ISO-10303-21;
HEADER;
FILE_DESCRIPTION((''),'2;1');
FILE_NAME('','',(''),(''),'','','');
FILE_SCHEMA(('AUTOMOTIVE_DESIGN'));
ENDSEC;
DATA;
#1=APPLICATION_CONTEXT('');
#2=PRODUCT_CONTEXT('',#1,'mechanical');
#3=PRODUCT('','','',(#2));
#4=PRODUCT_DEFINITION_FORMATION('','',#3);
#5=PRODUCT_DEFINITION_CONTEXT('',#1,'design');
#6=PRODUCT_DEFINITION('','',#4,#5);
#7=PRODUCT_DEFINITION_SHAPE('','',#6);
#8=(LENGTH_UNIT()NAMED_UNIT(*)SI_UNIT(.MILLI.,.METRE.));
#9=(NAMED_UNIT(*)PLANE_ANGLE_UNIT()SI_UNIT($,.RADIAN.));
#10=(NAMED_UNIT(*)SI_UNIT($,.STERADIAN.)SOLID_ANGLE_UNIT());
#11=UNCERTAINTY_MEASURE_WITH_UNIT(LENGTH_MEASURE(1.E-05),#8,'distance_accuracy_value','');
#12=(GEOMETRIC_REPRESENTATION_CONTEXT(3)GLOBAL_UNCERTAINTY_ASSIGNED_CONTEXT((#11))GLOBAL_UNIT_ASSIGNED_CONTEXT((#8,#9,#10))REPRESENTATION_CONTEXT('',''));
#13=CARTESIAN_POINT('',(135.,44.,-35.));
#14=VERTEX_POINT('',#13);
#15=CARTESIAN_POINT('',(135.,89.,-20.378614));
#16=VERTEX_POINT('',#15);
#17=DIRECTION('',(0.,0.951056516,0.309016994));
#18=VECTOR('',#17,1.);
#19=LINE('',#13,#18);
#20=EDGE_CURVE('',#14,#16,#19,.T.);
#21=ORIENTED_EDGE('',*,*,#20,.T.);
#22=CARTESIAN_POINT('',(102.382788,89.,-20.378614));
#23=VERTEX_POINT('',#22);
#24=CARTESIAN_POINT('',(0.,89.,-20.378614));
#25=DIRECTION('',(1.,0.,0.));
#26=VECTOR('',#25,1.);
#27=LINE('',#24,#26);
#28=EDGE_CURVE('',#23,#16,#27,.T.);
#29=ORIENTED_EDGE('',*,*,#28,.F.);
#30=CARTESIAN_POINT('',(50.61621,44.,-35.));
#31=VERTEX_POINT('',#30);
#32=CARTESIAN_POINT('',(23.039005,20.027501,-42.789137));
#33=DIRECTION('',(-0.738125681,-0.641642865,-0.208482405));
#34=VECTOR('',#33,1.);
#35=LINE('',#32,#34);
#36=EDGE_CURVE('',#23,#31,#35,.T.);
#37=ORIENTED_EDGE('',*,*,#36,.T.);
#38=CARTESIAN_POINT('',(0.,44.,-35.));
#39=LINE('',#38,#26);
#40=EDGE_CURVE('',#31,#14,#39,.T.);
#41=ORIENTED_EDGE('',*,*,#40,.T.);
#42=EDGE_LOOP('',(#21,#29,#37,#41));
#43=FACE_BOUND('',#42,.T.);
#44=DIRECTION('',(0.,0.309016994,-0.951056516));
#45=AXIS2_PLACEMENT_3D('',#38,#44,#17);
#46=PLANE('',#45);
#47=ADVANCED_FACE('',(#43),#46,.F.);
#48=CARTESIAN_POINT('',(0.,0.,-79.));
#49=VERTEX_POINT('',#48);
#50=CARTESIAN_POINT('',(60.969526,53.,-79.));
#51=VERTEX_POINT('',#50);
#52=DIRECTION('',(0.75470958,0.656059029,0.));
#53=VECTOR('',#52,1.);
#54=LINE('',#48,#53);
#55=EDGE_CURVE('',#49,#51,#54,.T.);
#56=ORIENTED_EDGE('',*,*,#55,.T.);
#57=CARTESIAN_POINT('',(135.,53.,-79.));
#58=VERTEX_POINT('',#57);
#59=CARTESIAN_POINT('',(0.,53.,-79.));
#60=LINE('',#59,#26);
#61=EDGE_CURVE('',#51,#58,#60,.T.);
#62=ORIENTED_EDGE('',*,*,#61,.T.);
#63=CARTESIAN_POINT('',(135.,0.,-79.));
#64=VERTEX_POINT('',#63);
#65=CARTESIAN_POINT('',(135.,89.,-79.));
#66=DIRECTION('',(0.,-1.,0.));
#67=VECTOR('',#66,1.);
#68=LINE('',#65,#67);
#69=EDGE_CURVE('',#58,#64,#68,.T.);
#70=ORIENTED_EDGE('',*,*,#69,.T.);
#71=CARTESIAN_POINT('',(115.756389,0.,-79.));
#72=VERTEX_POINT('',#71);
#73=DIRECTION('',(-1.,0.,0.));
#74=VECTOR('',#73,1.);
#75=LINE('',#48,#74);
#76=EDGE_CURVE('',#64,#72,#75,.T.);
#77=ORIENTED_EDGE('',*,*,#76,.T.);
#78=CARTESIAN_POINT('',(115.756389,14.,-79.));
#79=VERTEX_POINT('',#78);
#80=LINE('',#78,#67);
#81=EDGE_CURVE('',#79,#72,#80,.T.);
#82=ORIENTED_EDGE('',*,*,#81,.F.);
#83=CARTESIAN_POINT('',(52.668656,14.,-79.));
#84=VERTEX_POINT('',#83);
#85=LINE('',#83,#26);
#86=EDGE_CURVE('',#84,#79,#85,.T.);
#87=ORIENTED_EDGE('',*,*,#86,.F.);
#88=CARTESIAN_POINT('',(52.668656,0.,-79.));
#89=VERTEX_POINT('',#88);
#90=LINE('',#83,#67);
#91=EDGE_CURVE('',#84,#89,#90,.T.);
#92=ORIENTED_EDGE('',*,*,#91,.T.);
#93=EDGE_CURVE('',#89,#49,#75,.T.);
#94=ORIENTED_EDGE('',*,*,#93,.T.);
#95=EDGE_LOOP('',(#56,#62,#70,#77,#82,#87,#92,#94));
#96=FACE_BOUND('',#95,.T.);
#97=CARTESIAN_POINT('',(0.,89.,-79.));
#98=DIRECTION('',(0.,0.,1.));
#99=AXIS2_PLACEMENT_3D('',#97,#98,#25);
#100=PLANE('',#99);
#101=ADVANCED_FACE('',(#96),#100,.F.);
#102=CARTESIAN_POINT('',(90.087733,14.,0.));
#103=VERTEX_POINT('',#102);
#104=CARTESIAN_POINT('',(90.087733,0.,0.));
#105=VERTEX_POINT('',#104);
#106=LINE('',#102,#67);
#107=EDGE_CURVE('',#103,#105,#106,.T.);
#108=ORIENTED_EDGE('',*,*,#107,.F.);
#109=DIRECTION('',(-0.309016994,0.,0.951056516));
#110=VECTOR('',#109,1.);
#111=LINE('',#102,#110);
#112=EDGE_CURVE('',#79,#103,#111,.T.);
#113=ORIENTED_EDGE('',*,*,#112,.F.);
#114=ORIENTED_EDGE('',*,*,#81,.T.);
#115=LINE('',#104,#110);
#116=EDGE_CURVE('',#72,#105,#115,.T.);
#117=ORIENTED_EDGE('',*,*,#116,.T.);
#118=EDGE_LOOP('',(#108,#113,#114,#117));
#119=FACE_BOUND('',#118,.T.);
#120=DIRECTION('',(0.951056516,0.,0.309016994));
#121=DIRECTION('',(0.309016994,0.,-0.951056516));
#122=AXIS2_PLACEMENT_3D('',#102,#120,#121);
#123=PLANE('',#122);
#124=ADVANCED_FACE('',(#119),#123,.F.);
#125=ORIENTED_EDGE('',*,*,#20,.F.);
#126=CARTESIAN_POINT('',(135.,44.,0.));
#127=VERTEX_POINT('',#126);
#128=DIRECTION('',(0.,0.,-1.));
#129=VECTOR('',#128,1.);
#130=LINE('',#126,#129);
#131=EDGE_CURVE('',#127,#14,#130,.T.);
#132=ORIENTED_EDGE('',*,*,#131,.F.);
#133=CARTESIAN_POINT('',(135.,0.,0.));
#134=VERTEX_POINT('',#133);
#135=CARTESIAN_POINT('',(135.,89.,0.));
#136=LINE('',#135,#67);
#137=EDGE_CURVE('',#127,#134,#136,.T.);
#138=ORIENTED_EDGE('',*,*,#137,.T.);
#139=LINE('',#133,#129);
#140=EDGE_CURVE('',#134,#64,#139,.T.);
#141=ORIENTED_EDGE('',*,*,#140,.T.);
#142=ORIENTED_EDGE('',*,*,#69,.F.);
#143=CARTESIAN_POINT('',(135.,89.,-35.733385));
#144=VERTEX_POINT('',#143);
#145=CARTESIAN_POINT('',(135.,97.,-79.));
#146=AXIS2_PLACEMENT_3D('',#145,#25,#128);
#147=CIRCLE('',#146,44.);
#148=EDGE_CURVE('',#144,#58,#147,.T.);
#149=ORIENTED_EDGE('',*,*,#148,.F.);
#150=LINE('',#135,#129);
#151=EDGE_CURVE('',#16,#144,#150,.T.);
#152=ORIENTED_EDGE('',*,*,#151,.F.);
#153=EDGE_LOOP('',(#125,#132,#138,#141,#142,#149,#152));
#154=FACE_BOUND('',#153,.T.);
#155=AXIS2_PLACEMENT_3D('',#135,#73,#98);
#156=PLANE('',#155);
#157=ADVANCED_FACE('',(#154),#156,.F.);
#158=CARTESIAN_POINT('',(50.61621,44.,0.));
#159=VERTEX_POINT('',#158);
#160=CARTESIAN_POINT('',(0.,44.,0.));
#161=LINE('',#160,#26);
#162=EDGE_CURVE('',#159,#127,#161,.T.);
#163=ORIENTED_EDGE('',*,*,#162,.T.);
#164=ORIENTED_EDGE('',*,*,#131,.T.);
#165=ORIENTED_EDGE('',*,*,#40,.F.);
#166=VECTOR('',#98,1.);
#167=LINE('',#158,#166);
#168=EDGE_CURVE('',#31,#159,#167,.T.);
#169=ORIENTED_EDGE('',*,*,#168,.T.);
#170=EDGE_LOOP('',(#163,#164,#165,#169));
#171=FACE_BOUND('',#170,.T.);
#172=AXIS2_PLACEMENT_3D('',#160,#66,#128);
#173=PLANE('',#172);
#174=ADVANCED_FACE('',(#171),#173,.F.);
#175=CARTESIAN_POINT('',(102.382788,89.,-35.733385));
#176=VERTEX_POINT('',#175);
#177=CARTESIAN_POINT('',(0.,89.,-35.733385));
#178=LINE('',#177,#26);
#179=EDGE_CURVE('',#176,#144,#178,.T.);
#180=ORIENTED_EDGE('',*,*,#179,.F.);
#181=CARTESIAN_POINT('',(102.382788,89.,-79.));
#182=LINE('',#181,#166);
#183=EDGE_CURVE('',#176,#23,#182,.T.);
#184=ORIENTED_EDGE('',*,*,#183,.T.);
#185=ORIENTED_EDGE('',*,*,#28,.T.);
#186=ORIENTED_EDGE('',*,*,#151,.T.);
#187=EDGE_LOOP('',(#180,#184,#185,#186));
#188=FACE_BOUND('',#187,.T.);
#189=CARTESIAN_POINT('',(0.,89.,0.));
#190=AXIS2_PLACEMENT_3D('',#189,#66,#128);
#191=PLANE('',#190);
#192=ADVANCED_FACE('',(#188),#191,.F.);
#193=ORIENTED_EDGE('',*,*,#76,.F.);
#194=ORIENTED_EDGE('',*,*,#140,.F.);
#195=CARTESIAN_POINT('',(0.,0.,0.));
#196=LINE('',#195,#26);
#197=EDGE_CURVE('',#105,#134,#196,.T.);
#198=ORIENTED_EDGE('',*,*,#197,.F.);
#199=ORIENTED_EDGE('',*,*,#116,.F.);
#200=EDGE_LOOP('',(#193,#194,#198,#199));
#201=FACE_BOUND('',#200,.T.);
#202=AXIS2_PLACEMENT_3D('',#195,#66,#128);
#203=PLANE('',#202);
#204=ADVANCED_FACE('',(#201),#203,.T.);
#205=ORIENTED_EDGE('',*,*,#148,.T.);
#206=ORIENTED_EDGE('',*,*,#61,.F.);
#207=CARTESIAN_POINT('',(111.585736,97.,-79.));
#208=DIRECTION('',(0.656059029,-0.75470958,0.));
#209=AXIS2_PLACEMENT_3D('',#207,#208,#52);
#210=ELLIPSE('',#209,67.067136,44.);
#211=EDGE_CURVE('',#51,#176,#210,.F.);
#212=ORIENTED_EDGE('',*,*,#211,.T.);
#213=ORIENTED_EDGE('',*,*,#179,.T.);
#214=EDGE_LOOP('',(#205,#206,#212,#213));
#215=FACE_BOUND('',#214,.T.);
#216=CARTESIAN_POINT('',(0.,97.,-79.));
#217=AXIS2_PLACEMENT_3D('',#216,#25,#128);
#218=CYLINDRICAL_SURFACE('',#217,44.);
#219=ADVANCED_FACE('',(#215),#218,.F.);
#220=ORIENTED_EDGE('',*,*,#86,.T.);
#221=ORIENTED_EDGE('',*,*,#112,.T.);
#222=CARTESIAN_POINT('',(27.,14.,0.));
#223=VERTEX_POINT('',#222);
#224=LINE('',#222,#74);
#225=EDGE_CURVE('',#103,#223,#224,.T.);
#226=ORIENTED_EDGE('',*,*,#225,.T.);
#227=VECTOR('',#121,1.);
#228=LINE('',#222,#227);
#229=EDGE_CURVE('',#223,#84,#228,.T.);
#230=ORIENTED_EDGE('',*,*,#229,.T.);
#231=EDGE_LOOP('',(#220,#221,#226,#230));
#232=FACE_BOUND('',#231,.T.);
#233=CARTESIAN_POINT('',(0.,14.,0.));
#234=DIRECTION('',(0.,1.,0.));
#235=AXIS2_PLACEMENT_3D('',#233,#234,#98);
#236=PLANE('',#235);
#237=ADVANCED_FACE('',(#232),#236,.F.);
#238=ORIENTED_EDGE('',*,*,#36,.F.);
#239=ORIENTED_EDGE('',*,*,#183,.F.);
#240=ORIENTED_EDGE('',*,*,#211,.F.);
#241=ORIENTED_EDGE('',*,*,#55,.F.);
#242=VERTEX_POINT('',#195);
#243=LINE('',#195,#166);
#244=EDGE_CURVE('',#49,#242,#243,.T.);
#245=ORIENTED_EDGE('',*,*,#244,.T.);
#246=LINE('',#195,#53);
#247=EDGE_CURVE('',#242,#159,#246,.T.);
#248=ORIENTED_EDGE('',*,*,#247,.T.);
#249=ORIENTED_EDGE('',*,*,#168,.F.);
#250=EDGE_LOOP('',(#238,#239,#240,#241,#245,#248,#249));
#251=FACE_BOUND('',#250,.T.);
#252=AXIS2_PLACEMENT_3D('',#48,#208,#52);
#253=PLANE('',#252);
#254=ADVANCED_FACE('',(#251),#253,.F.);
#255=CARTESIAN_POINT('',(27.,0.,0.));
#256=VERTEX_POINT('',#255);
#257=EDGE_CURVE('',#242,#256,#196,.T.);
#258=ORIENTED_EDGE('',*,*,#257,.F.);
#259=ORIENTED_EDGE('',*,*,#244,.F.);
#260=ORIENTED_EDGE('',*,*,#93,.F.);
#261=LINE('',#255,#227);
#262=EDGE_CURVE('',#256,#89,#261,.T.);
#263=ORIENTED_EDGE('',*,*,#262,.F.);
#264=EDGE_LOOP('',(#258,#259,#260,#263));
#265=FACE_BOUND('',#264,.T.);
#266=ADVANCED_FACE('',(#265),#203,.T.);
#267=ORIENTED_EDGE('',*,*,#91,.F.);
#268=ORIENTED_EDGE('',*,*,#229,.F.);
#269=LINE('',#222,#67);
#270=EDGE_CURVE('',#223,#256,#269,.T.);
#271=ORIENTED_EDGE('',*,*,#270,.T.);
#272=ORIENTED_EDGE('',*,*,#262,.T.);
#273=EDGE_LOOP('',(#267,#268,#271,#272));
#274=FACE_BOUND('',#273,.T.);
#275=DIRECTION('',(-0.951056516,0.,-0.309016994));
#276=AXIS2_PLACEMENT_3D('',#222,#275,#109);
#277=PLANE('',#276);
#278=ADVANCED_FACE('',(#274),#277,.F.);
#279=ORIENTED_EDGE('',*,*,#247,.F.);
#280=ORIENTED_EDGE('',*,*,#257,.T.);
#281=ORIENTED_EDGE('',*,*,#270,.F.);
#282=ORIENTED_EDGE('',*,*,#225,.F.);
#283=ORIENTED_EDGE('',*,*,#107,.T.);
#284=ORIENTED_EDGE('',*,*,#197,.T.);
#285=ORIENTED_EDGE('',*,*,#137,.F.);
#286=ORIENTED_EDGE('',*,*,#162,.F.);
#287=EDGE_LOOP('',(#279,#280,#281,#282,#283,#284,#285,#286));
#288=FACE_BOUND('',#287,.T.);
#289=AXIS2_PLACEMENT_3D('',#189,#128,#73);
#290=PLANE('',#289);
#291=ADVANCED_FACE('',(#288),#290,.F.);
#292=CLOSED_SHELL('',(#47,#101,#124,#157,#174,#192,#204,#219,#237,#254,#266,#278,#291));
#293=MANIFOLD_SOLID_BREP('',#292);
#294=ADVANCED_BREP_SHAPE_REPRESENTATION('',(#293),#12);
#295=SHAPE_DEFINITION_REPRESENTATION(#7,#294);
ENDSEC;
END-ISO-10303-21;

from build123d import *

# Parameters (mm, degrees)
SKETCH2_W                 = 135
SKETCH2_H                 = 79
BASE_MATERIAL_DEPTH       = 89
THRU_ALL_CUTS_DEPTH       = 136
ANGLE_THRU_ALL_DEPTH      = 21.37861367
ANGLE_THRU_ALL_DEPTH_BACK = 59.62138633
CUT_EXTRUDE3_DEPTH        = 14


with BuildPart() as part:
    # Sketch2 → base-material (new body)
    with BuildSketch(Plane(origin=(0, 0, 0), x_dir=(1, 0, 0), z_dir=(0, 1, 0))):
        with Locations((67.5, 39.5)):
            Rectangle(SKETCH2_W, SKETCH2_H)
    extrude(amount=BASE_MATERIAL_DEPTH)

    # Sketch3 → thru-all-cuts (cut, through all)
    with BuildSketch(Plane(origin=(135, 0, 0), x_dir=(0, 0, -1), z_dir=(1, 0, 0))):
        with BuildLine():
            Line((35.733384694, 89), (79, 89))
            Line((79, 89), (79, 53))
            ThreePointArc((79, 53), (50.857505441, 63.176930949), (35.733384694, 89))
        make_face()
        Polygon((0, 44), (35, 44), (20.37861367, 89), (0, 89), align=None)
    extrude(amount=-THRU_ALL_CUTS_DEPTH, mode=Mode.SUBTRACT)

    # Sketch5 → angle-thru-all (cut, two sides)
    with BuildSketch(Plane.XY.offset(-20.37861367)) as angle_thru_all_sk:
        Polygon((0, 0), (102.382788243, 89), (0, 89), align=None)
    extrude(amount=ANGLE_THRU_ALL_DEPTH, mode=Mode.SUBTRACT)
    extrude(angle_thru_all_sk.sketch, amount=-ANGLE_THRU_ALL_DEPTH_BACK, mode=Mode.SUBTRACT)

    # Sketch7 → Cut-Extrude3 (cut)
    with BuildSketch(Plane.XZ):
        Polygon((27, 0), (52.668656002, -79), (115.756389457, -79), (90.087733454, 0), align=None)
    extrude(amount=-CUT_EXTRUDE3_DEPTH, mode=Mode.SUBTRACT)


solid = part.part
